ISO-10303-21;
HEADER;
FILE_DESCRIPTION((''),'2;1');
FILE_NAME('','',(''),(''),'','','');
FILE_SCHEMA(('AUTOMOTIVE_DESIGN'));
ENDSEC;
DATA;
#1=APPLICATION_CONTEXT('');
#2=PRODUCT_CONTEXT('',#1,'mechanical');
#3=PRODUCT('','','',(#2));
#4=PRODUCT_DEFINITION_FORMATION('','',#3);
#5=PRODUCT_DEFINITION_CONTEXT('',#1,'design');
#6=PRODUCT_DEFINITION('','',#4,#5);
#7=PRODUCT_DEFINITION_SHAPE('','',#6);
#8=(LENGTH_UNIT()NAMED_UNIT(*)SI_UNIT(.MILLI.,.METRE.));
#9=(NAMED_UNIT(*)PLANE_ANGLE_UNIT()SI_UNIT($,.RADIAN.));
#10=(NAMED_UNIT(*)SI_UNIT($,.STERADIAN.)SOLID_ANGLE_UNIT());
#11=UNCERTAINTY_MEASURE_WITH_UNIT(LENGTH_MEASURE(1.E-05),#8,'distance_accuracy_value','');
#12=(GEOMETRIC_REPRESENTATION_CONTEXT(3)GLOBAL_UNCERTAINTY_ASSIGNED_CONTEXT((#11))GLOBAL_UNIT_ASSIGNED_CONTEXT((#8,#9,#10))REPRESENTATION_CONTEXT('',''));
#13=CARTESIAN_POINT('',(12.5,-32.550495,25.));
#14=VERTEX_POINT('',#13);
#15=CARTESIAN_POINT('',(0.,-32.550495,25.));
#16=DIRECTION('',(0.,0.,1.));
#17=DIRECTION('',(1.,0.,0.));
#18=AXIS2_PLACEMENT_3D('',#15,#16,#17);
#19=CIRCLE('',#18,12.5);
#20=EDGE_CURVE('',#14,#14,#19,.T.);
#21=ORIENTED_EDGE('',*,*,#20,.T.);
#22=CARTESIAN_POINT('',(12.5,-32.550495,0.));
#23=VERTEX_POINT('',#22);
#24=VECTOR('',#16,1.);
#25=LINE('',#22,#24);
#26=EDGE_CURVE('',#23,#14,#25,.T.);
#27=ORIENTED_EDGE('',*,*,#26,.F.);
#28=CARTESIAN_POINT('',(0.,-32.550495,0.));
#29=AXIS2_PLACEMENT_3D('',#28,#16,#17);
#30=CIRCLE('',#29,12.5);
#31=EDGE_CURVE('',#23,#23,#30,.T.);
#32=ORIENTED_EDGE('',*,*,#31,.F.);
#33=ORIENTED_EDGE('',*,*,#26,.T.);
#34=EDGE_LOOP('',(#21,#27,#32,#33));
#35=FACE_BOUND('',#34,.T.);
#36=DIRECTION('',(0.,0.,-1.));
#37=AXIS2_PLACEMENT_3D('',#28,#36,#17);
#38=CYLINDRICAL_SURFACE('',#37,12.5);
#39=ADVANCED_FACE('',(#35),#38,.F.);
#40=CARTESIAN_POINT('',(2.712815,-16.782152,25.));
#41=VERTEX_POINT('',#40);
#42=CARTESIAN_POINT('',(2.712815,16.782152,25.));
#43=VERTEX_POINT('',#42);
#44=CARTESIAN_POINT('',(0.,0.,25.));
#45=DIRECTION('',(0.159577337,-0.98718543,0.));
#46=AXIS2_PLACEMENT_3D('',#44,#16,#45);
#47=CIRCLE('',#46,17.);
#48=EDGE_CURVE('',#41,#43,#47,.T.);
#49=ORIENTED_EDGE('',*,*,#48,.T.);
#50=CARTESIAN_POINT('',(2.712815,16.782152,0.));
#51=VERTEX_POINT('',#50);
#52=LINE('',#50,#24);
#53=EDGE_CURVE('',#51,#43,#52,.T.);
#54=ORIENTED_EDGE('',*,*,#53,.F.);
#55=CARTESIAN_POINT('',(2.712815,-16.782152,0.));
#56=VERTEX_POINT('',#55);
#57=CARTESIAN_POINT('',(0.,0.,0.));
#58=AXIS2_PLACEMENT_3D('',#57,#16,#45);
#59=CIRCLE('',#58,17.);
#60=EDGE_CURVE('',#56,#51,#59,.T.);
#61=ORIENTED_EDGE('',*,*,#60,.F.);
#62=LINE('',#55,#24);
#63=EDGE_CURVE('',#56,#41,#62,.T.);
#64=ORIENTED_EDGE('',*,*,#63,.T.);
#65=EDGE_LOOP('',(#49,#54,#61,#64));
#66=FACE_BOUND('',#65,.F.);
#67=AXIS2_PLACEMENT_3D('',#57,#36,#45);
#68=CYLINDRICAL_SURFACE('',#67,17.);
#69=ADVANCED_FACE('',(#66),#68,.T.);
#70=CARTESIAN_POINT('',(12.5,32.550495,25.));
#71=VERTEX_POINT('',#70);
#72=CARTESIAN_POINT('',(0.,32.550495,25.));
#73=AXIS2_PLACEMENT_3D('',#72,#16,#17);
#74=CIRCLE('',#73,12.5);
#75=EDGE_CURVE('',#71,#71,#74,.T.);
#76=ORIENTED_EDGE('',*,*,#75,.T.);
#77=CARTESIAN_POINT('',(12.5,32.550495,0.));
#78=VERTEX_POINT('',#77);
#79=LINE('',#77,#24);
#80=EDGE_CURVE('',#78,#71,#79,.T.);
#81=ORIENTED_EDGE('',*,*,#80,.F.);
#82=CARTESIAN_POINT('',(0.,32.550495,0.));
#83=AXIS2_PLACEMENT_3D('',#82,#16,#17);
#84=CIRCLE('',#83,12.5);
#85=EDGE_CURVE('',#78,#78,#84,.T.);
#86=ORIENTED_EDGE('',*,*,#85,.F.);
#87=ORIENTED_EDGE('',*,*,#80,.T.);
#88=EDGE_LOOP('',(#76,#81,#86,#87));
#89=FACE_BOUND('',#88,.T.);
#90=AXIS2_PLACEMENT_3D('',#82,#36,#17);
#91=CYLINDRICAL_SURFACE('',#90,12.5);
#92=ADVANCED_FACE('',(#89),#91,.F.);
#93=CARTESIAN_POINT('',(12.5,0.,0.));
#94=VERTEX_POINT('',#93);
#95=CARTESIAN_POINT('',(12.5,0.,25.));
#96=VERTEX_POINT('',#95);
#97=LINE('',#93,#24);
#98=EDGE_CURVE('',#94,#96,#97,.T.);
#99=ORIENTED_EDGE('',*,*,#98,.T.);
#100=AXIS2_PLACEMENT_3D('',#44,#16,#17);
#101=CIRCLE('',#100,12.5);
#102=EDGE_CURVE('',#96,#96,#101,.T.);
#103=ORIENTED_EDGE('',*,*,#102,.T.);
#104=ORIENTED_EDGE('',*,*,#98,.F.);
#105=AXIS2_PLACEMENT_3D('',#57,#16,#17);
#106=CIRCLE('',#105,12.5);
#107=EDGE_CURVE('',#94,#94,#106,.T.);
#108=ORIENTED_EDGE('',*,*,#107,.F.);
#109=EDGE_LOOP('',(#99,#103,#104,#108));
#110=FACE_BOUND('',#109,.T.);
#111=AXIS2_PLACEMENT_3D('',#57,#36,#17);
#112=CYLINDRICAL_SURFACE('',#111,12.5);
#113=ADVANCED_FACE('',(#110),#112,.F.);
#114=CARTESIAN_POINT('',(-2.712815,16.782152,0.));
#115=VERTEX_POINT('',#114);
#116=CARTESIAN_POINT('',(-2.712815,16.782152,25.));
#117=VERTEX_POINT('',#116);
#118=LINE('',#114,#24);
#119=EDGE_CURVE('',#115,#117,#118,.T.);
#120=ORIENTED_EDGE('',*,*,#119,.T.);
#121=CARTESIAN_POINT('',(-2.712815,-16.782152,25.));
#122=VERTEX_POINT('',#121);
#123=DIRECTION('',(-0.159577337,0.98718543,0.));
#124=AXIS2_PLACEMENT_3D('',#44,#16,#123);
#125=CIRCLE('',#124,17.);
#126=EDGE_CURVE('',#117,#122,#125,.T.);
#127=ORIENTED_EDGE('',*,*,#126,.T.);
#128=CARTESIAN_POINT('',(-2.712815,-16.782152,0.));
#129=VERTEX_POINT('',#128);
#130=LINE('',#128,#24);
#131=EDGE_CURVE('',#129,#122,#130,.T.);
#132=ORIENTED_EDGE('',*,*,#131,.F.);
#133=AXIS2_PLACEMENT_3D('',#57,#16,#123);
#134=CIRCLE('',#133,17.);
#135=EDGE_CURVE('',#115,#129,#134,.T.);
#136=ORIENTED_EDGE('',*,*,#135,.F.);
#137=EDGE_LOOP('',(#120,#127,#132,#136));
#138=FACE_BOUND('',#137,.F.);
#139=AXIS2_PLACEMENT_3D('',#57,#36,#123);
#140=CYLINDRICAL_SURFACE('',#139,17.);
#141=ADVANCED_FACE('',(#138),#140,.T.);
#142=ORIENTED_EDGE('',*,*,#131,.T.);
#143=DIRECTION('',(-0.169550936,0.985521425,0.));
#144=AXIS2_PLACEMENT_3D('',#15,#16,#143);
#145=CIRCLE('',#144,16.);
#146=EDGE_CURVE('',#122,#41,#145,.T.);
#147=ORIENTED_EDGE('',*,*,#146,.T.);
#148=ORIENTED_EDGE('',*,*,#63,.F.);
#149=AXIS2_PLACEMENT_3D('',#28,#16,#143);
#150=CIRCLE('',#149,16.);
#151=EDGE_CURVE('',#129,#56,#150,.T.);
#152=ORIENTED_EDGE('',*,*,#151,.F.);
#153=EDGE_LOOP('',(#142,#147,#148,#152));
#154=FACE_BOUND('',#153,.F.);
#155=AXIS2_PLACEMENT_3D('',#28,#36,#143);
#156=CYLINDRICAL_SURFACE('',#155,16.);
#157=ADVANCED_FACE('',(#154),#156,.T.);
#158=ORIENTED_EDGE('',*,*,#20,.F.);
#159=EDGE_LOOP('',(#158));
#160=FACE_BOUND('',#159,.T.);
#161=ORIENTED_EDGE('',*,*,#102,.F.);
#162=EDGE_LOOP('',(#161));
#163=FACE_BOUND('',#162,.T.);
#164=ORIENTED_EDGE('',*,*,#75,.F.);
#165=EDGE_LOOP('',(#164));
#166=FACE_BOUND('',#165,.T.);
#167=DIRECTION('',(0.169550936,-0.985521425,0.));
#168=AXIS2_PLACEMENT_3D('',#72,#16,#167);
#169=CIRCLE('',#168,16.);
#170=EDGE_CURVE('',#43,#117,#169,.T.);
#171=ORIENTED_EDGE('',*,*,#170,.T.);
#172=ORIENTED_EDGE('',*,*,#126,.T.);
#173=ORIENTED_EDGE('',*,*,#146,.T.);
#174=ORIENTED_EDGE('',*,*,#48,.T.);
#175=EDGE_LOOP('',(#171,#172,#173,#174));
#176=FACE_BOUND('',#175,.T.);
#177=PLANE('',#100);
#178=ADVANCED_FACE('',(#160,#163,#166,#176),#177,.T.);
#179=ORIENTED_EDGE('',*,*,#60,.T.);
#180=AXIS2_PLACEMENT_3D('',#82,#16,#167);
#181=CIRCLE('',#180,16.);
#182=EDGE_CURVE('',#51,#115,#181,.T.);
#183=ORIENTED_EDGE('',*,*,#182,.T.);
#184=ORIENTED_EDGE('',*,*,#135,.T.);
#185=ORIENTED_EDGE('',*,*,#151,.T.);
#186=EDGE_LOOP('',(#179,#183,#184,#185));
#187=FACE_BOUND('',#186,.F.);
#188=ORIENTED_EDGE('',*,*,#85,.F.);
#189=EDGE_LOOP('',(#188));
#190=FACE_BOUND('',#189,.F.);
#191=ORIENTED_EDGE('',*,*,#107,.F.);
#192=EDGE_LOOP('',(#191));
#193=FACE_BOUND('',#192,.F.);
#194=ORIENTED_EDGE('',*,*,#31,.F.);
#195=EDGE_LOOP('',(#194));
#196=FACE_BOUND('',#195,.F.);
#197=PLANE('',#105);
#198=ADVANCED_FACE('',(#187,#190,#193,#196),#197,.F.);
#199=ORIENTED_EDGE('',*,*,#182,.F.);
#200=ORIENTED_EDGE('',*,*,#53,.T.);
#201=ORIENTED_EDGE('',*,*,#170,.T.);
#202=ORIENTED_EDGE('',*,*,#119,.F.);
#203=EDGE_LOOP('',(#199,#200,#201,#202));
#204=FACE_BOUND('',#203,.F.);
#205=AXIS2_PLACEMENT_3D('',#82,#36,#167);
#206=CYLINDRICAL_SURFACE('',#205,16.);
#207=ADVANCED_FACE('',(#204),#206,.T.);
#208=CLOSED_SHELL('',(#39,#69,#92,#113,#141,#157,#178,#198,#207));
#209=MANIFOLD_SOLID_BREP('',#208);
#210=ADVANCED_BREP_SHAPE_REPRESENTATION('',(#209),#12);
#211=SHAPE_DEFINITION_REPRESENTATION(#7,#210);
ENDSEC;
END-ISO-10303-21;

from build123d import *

# Parameters (mm, degrees)
F0_R     = 12.5
F1_DEPTH = 25


with BuildPart() as f1:
    # F0 (on Top) → F1 (new body)
    with BuildSketch(Plane.XY):
        with BuildLine():
            ThreePointArc((-2.712815, 16.782152), (-17, 0), (-2.712815, -16.782152))
            ThreePointArc((-2.712815, -16.782152), (0, -48.550495), (2.712815, -16.782152))
            ThreePointArc((2.712815, -16.782152), (17, 0), (2.712815, 16.782152))
            ThreePointArc((2.712815, 16.782152), (0, 48.550495), (-2.712815, 16.782152))
        make_face()
        with Locations((0, -32.550495)):
            Circle(F0_R, mode=Mode.SUBTRACT)
        Circle(F0_R, mode=Mode.SUBTRACT)
        with Locations((0, 32.550495)):
            Circle(F0_R, mode=Mode.SUBTRACT)
    extrude(amount=F1_DEPTH)


solid = f1.part
